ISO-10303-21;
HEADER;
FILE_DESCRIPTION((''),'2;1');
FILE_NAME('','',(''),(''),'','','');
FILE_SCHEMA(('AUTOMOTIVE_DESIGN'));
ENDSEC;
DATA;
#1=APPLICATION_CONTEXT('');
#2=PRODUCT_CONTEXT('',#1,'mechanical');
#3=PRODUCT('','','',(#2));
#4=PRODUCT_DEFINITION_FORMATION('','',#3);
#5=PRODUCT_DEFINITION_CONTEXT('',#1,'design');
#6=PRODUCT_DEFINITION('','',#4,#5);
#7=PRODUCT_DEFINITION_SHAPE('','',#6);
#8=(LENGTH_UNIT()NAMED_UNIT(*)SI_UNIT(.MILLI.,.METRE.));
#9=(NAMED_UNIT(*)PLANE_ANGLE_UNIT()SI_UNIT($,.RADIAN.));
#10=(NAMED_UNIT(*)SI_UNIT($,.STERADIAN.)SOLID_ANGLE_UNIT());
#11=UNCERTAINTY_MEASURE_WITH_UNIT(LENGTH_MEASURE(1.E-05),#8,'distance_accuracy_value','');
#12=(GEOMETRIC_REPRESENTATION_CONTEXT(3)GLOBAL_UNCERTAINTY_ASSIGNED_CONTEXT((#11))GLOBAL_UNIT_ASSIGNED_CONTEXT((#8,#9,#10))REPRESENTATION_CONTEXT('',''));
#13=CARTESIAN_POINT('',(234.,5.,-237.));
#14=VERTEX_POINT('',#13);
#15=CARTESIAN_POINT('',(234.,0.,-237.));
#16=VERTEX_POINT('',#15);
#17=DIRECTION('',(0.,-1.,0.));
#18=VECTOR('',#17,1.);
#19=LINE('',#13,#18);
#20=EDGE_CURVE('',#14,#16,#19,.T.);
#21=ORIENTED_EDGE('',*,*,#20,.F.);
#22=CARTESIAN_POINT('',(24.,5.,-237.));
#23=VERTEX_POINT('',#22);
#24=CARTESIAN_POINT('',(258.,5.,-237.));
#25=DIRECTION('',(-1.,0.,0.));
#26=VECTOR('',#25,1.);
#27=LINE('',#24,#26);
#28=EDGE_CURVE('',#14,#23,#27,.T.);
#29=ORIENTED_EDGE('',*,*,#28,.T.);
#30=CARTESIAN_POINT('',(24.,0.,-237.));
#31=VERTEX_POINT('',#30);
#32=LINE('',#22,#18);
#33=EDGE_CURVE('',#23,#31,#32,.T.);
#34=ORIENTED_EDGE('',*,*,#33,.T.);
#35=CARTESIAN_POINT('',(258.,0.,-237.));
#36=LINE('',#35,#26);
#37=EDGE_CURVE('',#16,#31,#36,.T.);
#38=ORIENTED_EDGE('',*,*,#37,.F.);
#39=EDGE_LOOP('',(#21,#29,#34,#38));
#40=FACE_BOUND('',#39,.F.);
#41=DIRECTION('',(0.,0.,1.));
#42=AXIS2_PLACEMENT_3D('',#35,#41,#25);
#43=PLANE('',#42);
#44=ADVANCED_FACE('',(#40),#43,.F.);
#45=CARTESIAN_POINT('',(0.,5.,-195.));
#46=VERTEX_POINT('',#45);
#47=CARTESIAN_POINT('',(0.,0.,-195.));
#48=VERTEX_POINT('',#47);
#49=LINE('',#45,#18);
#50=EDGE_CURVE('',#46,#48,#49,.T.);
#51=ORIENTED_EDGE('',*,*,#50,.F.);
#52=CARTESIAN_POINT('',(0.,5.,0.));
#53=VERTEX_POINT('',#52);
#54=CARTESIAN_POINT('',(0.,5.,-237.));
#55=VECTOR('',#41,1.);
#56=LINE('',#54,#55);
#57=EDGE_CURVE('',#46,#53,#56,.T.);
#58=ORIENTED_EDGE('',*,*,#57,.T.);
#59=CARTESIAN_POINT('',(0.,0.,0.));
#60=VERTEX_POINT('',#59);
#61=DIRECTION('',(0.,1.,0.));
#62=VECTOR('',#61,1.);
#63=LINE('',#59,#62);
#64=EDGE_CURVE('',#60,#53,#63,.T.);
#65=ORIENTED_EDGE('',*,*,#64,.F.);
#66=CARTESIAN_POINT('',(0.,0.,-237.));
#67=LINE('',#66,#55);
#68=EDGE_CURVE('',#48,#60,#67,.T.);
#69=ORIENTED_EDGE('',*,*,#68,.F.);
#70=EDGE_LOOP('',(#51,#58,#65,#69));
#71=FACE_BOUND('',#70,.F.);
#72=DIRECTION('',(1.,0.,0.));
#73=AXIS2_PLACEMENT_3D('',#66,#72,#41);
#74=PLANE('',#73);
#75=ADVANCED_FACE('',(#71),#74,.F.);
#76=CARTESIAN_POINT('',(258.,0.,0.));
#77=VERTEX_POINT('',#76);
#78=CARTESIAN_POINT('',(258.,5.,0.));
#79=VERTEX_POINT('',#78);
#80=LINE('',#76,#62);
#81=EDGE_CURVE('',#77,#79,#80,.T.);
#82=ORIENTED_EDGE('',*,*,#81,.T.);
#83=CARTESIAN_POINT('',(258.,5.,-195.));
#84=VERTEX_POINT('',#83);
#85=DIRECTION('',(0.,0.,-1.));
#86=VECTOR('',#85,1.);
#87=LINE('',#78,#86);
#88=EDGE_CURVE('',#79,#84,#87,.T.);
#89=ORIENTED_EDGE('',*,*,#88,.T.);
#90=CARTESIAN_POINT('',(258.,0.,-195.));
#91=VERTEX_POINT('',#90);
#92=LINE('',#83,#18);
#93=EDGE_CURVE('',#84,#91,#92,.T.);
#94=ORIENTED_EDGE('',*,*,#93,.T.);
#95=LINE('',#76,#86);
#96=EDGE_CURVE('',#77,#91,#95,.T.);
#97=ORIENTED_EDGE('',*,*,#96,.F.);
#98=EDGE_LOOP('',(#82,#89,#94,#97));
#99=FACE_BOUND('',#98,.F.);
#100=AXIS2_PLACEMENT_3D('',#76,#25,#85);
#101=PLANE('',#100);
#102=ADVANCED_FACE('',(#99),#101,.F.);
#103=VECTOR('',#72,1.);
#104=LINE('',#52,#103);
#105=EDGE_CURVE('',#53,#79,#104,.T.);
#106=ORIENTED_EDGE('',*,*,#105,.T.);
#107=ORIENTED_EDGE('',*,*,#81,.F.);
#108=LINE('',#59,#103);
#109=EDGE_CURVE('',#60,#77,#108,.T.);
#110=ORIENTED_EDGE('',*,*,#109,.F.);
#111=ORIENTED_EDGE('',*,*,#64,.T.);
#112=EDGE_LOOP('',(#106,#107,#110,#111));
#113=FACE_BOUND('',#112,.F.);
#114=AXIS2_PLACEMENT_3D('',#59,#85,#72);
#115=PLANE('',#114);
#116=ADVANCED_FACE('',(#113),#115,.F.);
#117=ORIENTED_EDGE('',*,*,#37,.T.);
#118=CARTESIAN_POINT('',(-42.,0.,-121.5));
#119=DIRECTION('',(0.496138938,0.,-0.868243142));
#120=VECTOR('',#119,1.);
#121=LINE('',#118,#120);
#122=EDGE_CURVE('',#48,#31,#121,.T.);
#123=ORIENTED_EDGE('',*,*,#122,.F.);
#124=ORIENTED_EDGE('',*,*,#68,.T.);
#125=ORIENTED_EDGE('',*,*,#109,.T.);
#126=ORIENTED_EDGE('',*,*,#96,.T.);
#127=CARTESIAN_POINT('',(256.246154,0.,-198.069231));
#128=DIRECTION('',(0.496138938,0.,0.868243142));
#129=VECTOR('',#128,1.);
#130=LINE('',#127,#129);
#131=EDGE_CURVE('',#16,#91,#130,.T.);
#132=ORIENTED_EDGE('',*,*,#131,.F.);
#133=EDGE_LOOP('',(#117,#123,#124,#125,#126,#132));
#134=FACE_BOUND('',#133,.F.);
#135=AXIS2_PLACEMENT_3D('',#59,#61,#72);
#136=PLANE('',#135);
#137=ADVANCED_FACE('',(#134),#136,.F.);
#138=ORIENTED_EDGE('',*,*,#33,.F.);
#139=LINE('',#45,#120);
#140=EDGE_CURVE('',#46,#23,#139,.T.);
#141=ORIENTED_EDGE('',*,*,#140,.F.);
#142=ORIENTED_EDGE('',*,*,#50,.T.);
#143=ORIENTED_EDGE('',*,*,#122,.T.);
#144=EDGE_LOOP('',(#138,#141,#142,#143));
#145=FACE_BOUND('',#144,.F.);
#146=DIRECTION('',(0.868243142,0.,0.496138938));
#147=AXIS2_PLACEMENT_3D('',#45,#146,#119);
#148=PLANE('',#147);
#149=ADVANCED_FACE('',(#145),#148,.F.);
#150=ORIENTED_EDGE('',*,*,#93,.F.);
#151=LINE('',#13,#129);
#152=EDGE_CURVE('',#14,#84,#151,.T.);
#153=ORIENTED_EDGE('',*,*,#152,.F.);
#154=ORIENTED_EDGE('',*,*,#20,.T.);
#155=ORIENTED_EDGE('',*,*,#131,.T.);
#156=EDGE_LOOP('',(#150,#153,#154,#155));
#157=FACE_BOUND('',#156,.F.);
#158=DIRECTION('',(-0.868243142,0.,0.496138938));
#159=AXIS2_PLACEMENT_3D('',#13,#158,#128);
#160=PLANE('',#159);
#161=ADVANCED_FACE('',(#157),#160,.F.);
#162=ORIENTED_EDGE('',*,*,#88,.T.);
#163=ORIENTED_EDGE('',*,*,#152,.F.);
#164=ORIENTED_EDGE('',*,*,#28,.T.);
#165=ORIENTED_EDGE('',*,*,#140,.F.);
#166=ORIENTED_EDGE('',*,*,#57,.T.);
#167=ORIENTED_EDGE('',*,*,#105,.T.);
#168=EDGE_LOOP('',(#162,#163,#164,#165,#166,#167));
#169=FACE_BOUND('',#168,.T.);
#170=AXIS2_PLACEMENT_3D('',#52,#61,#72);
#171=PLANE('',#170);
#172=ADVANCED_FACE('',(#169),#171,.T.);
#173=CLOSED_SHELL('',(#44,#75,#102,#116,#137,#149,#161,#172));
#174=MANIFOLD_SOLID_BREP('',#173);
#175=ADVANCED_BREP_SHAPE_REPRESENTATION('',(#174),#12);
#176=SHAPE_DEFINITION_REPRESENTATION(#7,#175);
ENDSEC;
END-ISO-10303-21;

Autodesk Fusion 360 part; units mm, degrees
sketch "Skizze1" plane through (0, 0, 0) normal (0, 1, 0) x (1, 0, 0)
  line L0 (0, 0) -> (258, 0)
  line L1 (258, 0) -> (258, 237)
  line L2 (258, 237) -> (0, 237)
  line L3 (0, 237) -> (0, 0)
  dimension "d1" = 258
  dimension "d2" = 237
extrude "Extrusion1" add sketch "Skizze1" along normal blind 5
sketch "Skizze2" plane through (0, 5, 0) normal (0, 1, 0) x (-1, 0, 0)
  line L0 (0, -237) -> (0, 0)
  line L1 (0, 0) -> (-258, 0)
  line L2 (-258, 0) -> (-258, -237)
  line L3 (-258, -237) -> (0, -237)
  line L4 (0, 0) -> (0, -195)
  line L5 (-258, 0) -> (-258, -195)
  line L6 (0, -237) -> (-24, -237)
  line L7 (-258, -237) -> (-234, -237)
  line L8 (-234, -237) -> (-258, -195)
  line L9 (0, -195) -> (-24, -237)
  dimension "d5" = 195
  dimension "d6" = 195
  dimension "d7" = 24
  dimension "d8" = 24
extrude "Extrusion2" cut sketch "Skizze2" against normal blind 50 contours L0 L3 L6 L9 | L2 L3 L7 L8
